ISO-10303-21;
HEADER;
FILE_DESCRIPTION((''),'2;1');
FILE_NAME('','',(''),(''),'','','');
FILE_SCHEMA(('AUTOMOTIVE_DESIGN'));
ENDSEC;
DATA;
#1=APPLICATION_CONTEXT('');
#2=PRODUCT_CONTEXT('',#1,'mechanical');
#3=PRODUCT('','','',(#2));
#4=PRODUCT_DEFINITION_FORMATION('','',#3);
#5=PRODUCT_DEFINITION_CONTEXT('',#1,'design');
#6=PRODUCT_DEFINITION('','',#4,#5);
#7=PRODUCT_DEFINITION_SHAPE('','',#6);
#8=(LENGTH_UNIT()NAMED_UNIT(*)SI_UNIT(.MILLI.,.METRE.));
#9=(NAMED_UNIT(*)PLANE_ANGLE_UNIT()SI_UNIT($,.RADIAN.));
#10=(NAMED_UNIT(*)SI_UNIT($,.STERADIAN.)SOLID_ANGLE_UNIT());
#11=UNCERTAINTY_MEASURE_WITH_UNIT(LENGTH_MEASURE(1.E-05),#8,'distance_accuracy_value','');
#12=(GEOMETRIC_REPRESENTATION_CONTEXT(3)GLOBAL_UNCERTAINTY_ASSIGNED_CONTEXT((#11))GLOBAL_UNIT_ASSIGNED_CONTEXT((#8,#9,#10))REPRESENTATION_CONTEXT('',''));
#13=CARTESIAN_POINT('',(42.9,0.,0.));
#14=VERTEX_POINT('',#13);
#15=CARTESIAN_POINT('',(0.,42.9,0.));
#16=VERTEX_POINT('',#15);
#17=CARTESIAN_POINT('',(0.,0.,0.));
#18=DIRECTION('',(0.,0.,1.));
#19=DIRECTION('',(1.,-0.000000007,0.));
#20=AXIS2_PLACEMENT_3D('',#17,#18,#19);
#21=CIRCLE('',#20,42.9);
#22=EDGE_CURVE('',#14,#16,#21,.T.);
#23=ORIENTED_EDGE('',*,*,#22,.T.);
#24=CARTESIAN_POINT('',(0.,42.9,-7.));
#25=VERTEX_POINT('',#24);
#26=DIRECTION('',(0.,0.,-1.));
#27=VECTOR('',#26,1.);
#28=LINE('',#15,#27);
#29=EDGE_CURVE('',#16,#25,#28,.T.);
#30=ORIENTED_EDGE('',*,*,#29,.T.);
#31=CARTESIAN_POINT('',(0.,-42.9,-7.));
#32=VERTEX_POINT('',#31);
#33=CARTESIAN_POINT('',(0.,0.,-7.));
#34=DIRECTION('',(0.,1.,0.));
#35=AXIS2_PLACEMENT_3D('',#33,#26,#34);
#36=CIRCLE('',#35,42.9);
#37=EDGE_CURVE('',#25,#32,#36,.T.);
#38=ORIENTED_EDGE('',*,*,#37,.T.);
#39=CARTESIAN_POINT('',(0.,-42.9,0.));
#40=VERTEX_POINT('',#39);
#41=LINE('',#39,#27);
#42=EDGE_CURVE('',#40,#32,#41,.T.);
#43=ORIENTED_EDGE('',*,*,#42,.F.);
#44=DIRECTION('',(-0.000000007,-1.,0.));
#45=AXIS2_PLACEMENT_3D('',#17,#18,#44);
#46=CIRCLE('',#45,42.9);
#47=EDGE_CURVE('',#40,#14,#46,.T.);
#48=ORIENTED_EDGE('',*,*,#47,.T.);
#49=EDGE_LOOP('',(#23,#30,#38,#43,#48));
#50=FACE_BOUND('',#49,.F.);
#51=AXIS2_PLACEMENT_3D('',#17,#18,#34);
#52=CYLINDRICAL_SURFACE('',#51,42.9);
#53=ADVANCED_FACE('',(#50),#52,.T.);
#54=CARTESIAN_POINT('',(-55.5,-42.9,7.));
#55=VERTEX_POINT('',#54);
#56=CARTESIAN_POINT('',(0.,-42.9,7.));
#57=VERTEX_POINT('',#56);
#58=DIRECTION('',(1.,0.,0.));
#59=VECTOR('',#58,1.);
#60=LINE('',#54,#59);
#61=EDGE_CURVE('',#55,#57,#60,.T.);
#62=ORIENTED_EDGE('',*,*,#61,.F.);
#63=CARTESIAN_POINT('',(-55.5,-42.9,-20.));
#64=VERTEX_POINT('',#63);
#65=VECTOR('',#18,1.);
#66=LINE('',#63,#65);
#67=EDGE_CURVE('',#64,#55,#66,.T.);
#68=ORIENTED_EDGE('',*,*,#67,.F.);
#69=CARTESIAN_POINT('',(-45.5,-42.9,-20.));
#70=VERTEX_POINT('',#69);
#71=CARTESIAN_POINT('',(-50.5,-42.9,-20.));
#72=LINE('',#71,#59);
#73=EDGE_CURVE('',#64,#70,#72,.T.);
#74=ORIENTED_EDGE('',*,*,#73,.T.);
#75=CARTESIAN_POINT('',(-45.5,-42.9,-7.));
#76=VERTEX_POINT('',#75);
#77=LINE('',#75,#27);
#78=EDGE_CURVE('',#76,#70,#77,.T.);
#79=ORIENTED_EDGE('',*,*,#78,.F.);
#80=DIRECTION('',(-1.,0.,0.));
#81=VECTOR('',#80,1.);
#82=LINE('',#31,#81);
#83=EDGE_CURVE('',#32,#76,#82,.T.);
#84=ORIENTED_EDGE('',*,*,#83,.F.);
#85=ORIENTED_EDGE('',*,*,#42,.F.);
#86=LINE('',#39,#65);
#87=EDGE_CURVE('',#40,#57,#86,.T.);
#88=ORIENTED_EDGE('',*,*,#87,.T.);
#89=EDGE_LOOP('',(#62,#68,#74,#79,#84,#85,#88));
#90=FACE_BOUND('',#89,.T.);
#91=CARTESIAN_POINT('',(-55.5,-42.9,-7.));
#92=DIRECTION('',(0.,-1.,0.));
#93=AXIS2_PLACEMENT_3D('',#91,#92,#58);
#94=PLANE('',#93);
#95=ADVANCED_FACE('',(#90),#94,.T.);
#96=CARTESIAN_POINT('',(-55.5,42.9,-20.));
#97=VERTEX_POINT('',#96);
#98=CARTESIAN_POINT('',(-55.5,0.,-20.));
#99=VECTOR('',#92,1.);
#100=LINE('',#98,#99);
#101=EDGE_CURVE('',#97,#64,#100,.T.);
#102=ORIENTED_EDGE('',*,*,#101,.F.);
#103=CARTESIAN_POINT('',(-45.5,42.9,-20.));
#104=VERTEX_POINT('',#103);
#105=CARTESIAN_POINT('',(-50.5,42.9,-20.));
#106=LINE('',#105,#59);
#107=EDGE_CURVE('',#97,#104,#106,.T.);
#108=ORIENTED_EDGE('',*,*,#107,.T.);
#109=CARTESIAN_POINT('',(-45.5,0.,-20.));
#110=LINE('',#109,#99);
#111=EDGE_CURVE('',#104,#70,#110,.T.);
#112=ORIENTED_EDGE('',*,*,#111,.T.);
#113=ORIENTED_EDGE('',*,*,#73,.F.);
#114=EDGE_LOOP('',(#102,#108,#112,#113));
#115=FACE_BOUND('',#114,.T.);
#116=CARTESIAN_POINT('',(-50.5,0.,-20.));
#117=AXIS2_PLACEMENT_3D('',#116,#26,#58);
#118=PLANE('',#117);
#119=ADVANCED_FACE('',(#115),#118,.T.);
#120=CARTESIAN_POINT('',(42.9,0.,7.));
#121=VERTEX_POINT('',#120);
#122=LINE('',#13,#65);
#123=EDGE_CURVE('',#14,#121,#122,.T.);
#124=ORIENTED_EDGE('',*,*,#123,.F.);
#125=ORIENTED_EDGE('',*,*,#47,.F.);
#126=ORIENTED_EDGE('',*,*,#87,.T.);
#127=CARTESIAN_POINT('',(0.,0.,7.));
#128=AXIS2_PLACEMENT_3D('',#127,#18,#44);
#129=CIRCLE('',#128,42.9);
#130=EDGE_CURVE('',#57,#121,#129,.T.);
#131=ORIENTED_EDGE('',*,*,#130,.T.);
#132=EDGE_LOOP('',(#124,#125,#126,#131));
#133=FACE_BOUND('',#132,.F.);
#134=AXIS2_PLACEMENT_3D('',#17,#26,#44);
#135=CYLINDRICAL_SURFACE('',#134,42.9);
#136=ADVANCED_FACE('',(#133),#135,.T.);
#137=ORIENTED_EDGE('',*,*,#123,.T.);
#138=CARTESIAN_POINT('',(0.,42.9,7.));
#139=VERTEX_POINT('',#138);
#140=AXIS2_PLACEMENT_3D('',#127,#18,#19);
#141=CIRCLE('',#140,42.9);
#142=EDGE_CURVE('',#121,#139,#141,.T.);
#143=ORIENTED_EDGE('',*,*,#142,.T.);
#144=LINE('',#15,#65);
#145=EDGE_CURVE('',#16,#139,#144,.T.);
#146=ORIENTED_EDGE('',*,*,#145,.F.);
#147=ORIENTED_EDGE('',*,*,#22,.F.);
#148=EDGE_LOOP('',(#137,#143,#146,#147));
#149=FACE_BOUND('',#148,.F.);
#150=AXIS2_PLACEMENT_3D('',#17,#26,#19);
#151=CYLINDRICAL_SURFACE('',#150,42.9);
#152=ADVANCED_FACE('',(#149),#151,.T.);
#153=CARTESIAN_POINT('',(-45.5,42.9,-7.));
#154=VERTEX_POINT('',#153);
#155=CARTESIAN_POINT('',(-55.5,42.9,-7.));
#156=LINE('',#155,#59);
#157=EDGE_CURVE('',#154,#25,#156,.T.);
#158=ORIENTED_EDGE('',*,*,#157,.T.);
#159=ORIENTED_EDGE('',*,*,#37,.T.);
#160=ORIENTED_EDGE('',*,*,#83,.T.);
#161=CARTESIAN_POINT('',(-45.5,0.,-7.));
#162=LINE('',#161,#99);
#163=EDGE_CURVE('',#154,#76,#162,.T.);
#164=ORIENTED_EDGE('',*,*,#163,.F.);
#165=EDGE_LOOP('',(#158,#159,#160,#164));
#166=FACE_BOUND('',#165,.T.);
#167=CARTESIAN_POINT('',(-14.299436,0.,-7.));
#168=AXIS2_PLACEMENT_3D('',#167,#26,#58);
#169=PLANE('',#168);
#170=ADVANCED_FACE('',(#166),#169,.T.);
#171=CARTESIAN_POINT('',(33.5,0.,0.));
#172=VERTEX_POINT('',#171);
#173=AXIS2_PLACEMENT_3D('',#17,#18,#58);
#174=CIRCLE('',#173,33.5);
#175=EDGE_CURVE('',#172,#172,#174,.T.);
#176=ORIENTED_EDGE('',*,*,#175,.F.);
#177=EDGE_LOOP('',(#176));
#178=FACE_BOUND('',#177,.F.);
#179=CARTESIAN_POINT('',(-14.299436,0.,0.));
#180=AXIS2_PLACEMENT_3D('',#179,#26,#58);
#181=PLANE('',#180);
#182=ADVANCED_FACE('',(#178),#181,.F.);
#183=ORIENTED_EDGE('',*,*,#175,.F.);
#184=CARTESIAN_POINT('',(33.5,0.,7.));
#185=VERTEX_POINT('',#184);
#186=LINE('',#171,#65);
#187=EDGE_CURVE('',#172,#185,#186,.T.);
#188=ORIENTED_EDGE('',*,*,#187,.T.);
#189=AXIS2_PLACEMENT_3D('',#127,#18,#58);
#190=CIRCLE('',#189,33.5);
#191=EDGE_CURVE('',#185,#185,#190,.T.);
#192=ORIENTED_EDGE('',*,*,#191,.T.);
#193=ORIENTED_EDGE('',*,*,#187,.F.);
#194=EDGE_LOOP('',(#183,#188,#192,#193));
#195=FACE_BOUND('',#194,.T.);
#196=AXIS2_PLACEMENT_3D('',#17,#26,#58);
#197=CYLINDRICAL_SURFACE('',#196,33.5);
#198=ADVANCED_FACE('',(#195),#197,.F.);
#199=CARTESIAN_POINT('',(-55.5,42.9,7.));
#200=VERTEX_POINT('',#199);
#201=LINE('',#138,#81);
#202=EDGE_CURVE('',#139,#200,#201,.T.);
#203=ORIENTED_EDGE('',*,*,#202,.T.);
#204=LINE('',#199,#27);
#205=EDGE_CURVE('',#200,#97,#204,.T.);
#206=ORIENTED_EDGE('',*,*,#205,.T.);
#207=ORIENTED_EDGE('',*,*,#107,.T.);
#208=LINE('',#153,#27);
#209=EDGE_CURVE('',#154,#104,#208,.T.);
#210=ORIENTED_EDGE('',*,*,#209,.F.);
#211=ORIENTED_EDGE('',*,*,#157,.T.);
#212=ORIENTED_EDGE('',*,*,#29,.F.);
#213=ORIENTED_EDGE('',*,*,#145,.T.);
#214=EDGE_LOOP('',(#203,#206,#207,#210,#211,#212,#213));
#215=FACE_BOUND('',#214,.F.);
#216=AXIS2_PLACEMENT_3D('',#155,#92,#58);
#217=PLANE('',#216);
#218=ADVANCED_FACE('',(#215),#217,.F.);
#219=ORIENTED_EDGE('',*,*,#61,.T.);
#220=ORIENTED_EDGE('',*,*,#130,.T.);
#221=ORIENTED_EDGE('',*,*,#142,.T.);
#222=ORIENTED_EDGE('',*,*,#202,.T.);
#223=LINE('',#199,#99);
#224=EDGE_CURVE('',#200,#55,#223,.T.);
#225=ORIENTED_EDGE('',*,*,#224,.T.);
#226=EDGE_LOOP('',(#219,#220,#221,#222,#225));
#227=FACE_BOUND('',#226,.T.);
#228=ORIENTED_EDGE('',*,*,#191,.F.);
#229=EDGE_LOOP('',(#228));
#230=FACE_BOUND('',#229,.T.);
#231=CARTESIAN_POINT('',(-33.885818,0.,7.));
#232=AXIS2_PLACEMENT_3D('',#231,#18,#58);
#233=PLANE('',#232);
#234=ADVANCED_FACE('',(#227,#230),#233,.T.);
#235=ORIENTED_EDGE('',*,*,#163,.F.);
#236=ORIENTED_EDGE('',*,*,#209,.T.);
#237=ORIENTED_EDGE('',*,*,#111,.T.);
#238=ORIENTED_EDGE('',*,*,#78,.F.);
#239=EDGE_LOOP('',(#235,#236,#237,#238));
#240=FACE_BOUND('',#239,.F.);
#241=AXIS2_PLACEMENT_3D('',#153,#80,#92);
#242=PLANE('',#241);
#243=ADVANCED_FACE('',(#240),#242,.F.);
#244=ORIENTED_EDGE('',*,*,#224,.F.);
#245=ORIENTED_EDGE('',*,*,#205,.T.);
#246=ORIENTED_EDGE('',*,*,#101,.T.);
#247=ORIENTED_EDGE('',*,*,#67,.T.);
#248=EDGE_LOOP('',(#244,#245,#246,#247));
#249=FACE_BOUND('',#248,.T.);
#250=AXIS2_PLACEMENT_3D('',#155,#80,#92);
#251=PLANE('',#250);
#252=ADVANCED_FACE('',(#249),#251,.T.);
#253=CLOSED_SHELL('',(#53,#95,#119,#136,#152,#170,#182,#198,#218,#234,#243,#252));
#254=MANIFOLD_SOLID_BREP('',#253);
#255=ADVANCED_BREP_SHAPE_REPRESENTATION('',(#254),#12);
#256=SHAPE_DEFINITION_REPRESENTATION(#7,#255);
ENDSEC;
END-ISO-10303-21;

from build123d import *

# Parameters (mm, degrees)
F0_R     = 33.5
F1_DEPTH = 7
F3_DEPTH = 7
F4_W     = 10
F4_H     = 85.8
F5_DEPTH = 13


with BuildPart() as f1:
    # F0 (on Top) → F1 (new body)
    with BuildSketch(Plane.XY):
        with BuildLine():
            ThreePointArc((0, -42.9), (-42.9, 0), (0, 42.9))
            Line((0, 42.9), (-55.5, 42.9))
            Line((-55.5, 42.9), (-55.5, -42.9))
            Line((-55.5, -42.9), (0, -42.9))
        make_face()
        with BuildLine():
            ThreePointArc((0, -42.9), (30.334881, -30.334881), (42.9, 0))
            ThreePointArc((42.9, 0), (30.334881, 30.334881), (0, 42.9))
            ThreePointArc((0, 42.9), (-42.9, 0), (0, -42.9))
        make_face()
        Circle(F0_R, mode=Mode.SUBTRACT)
    extrude(amount=F1_DEPTH)

    # F2 (on face) → F3 (join)
    with BuildSketch(Plane(origin=(0, 0, 0), x_dir=(1, 0, 0), z_dir=(0, 0, -1))):
        with BuildLine():
            Line((-55.5, -42.9), (0, -42.9))
            ThreePointArc((0, -42.9), (42.9, 0), (0, 42.9))
            Line((0, 42.9), (-55.5, 42.9))
            Line((-55.5, 42.9), (-55.5, -42.9))
        make_face()
    extrude(amount=F3_DEPTH)

    # F4 (on face) → F5 (join)
    with BuildSketch(Plane(origin=(0, 0, -7), x_dir=(1, 0, 0), z_dir=(0, 0, -1))):
        with Locations((-50.5, 0)):
            Rectangle(F4_W, F4_H)
    extrude(amount=F5_DEPTH)


solid = f1.part
